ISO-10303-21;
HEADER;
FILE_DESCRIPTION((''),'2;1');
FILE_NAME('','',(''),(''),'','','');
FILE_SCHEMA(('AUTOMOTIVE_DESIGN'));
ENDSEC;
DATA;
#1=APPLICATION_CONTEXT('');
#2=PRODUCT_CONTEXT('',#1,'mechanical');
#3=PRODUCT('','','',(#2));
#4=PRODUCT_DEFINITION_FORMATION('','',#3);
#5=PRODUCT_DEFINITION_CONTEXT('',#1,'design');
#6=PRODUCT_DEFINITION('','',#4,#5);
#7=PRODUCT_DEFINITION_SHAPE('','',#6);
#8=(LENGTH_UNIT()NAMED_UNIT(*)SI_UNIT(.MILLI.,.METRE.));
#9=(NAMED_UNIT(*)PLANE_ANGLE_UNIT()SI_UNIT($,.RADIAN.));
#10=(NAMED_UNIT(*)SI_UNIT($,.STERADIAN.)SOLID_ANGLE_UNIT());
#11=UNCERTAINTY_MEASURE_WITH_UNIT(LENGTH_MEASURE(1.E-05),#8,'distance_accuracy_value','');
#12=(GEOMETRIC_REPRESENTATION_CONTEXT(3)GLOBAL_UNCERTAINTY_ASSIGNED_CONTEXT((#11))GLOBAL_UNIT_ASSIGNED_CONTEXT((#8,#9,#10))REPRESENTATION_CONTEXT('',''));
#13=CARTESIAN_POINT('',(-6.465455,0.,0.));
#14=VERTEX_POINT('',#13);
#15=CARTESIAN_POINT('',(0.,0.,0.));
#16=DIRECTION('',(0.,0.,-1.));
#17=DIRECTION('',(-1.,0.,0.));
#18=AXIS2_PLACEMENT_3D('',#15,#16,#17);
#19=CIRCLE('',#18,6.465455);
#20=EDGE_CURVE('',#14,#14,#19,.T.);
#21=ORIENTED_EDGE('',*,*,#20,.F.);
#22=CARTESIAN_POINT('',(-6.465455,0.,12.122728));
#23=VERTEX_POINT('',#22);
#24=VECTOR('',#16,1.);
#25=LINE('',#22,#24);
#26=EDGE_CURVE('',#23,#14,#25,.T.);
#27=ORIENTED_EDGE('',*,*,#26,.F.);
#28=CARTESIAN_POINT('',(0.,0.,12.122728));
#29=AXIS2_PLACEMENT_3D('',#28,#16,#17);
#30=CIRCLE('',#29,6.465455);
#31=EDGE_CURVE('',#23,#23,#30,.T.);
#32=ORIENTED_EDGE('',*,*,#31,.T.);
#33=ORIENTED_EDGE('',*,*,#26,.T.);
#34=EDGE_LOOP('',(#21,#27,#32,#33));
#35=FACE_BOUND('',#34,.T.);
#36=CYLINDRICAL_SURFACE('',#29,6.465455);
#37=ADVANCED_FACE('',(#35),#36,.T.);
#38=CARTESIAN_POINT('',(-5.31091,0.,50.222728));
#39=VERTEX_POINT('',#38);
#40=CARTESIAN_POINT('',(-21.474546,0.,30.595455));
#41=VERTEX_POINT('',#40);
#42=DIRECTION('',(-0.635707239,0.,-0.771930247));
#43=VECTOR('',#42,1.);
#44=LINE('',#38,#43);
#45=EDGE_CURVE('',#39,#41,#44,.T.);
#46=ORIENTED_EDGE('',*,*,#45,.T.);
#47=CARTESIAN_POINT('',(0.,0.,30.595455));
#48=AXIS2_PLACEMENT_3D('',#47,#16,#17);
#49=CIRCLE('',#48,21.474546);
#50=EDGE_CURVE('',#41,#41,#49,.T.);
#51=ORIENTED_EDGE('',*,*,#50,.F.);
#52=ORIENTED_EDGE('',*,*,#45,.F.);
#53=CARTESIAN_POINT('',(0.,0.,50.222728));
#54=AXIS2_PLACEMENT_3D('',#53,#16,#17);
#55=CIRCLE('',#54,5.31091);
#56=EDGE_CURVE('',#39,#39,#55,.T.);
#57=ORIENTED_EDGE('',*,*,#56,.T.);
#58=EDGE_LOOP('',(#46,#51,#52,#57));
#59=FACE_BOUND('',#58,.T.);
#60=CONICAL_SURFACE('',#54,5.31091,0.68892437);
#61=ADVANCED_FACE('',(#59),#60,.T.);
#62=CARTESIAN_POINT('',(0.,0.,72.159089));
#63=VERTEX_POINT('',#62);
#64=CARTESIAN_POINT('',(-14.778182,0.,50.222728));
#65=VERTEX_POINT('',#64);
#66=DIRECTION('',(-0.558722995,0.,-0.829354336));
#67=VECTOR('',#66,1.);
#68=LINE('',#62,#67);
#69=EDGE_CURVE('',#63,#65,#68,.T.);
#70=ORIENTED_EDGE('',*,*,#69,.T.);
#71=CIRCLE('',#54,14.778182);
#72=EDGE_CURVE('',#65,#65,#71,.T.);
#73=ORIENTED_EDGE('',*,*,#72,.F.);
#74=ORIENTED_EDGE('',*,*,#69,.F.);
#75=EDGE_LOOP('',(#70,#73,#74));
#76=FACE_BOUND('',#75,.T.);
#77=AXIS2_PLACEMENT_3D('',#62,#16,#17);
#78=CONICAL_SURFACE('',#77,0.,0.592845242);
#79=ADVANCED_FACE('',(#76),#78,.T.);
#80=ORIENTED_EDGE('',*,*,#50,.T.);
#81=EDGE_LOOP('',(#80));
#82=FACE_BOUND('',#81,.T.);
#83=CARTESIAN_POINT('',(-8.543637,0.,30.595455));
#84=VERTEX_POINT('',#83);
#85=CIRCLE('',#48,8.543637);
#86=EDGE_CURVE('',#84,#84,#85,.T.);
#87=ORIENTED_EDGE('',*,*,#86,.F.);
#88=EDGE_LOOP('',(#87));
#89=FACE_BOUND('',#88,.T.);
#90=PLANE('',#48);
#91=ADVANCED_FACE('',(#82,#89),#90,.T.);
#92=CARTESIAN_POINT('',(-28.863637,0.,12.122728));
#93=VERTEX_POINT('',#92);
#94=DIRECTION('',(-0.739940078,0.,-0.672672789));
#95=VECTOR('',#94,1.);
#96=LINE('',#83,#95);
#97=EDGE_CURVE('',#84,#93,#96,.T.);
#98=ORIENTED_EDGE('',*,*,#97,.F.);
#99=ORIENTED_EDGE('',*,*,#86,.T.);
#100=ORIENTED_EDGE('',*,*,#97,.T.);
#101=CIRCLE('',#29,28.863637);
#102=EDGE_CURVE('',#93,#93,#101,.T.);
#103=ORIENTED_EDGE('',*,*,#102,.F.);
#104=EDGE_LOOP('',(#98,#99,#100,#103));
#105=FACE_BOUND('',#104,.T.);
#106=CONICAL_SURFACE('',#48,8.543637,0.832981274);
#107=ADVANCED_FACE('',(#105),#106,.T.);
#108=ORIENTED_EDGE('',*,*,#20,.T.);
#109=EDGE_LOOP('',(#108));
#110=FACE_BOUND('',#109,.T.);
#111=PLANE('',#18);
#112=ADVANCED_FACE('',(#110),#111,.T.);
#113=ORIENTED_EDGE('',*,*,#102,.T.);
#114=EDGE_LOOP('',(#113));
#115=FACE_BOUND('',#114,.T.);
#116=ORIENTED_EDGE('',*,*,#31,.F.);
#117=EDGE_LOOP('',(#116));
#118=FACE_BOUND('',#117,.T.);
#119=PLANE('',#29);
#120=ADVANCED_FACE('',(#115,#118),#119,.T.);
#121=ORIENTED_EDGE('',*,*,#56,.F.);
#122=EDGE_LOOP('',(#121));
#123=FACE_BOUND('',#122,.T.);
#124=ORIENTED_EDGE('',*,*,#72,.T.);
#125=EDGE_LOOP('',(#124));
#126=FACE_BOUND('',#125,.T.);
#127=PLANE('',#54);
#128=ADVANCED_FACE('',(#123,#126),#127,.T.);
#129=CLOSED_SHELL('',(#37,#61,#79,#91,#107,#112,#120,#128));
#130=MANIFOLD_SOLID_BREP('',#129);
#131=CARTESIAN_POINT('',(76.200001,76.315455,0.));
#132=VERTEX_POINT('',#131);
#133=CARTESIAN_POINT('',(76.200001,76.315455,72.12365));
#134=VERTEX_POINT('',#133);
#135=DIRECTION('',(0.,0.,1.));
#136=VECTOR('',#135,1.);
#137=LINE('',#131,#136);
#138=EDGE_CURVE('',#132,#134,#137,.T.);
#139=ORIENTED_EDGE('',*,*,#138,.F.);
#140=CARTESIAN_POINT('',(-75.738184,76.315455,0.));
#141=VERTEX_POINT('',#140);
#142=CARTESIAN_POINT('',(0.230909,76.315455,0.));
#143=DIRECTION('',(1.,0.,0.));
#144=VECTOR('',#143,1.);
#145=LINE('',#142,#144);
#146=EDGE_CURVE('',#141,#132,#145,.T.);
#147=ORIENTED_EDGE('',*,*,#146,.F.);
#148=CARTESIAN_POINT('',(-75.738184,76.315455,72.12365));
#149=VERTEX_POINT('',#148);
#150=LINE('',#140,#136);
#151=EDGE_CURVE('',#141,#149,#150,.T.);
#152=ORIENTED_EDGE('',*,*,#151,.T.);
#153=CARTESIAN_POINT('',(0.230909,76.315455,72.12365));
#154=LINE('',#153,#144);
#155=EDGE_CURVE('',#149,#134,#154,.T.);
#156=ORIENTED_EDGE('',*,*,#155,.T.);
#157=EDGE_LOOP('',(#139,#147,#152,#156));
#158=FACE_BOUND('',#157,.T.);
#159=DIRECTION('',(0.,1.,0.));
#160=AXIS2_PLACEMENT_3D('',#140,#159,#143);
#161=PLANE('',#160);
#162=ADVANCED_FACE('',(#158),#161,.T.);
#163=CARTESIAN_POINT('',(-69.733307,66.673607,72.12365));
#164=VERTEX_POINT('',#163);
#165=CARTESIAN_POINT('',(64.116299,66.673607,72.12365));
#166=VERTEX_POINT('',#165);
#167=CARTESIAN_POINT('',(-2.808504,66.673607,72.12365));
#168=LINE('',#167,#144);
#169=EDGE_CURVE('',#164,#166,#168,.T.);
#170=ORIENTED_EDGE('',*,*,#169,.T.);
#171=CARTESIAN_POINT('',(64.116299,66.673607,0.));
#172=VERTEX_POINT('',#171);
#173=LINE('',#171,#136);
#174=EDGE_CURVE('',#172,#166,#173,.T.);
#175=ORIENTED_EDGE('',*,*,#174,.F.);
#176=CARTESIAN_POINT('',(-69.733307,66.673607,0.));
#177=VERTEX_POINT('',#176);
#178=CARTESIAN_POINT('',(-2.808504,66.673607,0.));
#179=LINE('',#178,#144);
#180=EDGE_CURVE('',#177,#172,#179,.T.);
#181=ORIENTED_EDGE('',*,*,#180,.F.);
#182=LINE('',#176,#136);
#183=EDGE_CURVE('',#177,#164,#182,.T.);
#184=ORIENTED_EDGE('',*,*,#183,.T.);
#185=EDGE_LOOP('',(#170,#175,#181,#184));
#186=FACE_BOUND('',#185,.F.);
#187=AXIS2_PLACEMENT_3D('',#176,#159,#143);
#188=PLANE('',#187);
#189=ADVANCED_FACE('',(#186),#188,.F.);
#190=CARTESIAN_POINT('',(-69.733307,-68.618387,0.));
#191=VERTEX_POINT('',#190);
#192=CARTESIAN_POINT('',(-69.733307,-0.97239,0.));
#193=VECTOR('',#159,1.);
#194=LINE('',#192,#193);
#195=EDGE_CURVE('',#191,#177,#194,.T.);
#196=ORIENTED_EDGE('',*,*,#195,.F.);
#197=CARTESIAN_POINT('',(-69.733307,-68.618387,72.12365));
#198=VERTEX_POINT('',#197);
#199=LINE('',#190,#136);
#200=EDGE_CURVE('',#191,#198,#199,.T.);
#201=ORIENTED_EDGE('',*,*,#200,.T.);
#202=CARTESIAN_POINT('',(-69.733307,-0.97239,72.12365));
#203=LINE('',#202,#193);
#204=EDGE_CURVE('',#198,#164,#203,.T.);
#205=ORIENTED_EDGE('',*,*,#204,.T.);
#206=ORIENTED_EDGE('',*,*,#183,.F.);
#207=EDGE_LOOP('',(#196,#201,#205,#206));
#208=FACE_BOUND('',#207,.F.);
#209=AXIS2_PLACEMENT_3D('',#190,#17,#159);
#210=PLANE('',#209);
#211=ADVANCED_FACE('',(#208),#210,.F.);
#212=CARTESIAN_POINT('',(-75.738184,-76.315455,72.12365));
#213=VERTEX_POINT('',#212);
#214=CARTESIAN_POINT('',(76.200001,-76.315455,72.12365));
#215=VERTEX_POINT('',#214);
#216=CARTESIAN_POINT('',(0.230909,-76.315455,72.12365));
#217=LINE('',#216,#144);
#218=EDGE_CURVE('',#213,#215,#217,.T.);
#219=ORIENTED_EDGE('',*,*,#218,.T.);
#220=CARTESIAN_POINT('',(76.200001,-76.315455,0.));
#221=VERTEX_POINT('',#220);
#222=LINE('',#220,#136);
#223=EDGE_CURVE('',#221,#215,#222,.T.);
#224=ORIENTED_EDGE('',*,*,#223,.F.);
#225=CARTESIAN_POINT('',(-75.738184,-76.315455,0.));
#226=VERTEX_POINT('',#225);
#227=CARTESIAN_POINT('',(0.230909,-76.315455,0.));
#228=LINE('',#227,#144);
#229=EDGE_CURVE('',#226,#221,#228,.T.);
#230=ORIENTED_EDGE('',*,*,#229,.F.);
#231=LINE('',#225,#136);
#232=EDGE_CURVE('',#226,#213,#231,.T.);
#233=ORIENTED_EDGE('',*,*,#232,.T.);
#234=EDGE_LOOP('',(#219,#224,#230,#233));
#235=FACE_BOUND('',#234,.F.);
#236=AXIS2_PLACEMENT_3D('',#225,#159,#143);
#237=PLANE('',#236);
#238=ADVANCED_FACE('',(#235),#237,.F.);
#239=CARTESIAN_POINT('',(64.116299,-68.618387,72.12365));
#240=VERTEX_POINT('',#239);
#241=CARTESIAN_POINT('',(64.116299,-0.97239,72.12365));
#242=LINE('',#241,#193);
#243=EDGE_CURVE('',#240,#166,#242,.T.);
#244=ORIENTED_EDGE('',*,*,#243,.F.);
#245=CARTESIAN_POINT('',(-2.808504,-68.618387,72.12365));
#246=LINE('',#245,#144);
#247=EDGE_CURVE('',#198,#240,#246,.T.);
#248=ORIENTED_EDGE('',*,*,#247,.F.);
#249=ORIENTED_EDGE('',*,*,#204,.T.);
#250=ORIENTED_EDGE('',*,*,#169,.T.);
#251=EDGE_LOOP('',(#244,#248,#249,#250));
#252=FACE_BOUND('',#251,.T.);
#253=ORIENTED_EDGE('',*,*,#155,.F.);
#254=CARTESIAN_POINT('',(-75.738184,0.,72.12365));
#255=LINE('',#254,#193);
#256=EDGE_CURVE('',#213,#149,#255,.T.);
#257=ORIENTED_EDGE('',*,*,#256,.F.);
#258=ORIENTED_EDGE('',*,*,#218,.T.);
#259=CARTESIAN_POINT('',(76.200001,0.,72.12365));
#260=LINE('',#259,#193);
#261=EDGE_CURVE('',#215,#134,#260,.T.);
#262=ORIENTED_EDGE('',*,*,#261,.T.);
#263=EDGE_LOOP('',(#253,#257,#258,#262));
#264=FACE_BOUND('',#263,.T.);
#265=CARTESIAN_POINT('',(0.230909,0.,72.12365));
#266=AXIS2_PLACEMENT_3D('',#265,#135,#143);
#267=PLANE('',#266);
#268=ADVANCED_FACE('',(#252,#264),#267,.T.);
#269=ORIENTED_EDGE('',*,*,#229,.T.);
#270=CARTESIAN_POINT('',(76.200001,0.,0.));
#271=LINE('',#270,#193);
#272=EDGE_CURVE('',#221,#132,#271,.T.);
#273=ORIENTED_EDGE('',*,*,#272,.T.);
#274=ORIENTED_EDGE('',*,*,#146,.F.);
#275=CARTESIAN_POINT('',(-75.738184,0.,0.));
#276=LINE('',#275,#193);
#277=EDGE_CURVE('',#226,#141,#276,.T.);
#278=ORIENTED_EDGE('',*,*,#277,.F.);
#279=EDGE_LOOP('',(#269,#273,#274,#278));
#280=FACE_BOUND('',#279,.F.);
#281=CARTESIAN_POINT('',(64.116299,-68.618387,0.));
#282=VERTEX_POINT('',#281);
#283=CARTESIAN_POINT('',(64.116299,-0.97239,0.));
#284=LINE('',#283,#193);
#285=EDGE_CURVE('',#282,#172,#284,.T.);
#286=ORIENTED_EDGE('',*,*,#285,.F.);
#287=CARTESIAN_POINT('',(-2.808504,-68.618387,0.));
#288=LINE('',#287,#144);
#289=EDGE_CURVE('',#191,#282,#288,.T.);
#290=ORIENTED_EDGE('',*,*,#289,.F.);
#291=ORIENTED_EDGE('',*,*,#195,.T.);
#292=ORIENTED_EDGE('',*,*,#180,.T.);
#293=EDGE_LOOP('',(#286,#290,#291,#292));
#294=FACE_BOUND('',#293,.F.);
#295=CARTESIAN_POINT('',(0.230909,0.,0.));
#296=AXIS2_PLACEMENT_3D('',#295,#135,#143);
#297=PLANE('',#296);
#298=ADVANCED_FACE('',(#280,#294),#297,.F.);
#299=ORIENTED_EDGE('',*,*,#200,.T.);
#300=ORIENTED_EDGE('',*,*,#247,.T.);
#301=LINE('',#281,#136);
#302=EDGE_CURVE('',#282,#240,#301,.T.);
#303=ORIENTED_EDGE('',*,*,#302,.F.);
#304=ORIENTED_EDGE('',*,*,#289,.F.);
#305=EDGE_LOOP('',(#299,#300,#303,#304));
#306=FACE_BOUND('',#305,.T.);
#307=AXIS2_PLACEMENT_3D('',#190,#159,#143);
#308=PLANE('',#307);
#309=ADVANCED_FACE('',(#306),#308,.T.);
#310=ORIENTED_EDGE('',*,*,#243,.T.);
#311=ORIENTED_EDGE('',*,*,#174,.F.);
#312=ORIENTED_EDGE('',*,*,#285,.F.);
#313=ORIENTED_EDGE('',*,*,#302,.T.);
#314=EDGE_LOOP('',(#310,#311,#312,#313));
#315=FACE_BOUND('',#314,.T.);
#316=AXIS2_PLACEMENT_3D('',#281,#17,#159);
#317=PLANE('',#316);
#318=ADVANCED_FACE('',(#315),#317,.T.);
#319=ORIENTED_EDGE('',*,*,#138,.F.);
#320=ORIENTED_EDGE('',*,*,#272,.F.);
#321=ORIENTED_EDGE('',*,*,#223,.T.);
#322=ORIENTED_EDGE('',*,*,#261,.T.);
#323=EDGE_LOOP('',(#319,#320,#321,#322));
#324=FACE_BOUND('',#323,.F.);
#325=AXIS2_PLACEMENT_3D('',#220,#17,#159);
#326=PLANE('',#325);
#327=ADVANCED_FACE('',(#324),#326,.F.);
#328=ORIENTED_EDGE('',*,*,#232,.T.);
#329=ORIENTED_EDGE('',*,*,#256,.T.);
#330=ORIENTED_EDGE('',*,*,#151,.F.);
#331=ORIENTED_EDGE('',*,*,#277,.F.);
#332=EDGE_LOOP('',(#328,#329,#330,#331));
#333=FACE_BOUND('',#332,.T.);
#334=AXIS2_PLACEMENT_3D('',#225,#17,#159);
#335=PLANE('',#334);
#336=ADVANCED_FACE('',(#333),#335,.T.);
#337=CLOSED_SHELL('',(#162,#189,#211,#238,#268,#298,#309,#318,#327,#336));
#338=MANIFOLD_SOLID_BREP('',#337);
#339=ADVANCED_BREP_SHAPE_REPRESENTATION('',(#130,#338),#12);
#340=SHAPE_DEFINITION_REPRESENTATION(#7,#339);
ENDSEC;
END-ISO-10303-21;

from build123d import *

# Parameters (mm, degrees)
F3_W     = 151.938185
F3_H     = 152.63091
F3_W_2   = 133.849606
F3_H_2   = 135.291994
F4_DEPTH = 72.12365


with BuildPart() as f1:
    # F0 (on Front) → F1 (revolve)
    with BuildSketch(Plane.XZ):
        Polygon((-28.863637, 12.122728), (-11.545454, 12.122728), (-6.465455, 12.122728), (-6.465455, 0), (0, 0), (0, 72.159089), (-14.778182, 50.222728), (-5.31091, 50.222728), (-21.474546, 30.595455), (-8.543637, 30.595455), align=None)
    revolve(axis=Axis((0, 0, 36.079545), (0, 0, -1)))


with BuildPart() as f4:
    # F3 (on face) → F4 (new body)
    with BuildSketch(Plane.XY):
        with Locations((0.230909, 0)):
            Rectangle(F3_W, F3_H)
        with Locations((-2.808504, -0.97239)):
            Rectangle(F3_W_2, F3_H_2, mode=Mode.SUBTRACT)
    extrude(amount=F4_DEPTH)


solid = Compound([f1.part, f4.part])
